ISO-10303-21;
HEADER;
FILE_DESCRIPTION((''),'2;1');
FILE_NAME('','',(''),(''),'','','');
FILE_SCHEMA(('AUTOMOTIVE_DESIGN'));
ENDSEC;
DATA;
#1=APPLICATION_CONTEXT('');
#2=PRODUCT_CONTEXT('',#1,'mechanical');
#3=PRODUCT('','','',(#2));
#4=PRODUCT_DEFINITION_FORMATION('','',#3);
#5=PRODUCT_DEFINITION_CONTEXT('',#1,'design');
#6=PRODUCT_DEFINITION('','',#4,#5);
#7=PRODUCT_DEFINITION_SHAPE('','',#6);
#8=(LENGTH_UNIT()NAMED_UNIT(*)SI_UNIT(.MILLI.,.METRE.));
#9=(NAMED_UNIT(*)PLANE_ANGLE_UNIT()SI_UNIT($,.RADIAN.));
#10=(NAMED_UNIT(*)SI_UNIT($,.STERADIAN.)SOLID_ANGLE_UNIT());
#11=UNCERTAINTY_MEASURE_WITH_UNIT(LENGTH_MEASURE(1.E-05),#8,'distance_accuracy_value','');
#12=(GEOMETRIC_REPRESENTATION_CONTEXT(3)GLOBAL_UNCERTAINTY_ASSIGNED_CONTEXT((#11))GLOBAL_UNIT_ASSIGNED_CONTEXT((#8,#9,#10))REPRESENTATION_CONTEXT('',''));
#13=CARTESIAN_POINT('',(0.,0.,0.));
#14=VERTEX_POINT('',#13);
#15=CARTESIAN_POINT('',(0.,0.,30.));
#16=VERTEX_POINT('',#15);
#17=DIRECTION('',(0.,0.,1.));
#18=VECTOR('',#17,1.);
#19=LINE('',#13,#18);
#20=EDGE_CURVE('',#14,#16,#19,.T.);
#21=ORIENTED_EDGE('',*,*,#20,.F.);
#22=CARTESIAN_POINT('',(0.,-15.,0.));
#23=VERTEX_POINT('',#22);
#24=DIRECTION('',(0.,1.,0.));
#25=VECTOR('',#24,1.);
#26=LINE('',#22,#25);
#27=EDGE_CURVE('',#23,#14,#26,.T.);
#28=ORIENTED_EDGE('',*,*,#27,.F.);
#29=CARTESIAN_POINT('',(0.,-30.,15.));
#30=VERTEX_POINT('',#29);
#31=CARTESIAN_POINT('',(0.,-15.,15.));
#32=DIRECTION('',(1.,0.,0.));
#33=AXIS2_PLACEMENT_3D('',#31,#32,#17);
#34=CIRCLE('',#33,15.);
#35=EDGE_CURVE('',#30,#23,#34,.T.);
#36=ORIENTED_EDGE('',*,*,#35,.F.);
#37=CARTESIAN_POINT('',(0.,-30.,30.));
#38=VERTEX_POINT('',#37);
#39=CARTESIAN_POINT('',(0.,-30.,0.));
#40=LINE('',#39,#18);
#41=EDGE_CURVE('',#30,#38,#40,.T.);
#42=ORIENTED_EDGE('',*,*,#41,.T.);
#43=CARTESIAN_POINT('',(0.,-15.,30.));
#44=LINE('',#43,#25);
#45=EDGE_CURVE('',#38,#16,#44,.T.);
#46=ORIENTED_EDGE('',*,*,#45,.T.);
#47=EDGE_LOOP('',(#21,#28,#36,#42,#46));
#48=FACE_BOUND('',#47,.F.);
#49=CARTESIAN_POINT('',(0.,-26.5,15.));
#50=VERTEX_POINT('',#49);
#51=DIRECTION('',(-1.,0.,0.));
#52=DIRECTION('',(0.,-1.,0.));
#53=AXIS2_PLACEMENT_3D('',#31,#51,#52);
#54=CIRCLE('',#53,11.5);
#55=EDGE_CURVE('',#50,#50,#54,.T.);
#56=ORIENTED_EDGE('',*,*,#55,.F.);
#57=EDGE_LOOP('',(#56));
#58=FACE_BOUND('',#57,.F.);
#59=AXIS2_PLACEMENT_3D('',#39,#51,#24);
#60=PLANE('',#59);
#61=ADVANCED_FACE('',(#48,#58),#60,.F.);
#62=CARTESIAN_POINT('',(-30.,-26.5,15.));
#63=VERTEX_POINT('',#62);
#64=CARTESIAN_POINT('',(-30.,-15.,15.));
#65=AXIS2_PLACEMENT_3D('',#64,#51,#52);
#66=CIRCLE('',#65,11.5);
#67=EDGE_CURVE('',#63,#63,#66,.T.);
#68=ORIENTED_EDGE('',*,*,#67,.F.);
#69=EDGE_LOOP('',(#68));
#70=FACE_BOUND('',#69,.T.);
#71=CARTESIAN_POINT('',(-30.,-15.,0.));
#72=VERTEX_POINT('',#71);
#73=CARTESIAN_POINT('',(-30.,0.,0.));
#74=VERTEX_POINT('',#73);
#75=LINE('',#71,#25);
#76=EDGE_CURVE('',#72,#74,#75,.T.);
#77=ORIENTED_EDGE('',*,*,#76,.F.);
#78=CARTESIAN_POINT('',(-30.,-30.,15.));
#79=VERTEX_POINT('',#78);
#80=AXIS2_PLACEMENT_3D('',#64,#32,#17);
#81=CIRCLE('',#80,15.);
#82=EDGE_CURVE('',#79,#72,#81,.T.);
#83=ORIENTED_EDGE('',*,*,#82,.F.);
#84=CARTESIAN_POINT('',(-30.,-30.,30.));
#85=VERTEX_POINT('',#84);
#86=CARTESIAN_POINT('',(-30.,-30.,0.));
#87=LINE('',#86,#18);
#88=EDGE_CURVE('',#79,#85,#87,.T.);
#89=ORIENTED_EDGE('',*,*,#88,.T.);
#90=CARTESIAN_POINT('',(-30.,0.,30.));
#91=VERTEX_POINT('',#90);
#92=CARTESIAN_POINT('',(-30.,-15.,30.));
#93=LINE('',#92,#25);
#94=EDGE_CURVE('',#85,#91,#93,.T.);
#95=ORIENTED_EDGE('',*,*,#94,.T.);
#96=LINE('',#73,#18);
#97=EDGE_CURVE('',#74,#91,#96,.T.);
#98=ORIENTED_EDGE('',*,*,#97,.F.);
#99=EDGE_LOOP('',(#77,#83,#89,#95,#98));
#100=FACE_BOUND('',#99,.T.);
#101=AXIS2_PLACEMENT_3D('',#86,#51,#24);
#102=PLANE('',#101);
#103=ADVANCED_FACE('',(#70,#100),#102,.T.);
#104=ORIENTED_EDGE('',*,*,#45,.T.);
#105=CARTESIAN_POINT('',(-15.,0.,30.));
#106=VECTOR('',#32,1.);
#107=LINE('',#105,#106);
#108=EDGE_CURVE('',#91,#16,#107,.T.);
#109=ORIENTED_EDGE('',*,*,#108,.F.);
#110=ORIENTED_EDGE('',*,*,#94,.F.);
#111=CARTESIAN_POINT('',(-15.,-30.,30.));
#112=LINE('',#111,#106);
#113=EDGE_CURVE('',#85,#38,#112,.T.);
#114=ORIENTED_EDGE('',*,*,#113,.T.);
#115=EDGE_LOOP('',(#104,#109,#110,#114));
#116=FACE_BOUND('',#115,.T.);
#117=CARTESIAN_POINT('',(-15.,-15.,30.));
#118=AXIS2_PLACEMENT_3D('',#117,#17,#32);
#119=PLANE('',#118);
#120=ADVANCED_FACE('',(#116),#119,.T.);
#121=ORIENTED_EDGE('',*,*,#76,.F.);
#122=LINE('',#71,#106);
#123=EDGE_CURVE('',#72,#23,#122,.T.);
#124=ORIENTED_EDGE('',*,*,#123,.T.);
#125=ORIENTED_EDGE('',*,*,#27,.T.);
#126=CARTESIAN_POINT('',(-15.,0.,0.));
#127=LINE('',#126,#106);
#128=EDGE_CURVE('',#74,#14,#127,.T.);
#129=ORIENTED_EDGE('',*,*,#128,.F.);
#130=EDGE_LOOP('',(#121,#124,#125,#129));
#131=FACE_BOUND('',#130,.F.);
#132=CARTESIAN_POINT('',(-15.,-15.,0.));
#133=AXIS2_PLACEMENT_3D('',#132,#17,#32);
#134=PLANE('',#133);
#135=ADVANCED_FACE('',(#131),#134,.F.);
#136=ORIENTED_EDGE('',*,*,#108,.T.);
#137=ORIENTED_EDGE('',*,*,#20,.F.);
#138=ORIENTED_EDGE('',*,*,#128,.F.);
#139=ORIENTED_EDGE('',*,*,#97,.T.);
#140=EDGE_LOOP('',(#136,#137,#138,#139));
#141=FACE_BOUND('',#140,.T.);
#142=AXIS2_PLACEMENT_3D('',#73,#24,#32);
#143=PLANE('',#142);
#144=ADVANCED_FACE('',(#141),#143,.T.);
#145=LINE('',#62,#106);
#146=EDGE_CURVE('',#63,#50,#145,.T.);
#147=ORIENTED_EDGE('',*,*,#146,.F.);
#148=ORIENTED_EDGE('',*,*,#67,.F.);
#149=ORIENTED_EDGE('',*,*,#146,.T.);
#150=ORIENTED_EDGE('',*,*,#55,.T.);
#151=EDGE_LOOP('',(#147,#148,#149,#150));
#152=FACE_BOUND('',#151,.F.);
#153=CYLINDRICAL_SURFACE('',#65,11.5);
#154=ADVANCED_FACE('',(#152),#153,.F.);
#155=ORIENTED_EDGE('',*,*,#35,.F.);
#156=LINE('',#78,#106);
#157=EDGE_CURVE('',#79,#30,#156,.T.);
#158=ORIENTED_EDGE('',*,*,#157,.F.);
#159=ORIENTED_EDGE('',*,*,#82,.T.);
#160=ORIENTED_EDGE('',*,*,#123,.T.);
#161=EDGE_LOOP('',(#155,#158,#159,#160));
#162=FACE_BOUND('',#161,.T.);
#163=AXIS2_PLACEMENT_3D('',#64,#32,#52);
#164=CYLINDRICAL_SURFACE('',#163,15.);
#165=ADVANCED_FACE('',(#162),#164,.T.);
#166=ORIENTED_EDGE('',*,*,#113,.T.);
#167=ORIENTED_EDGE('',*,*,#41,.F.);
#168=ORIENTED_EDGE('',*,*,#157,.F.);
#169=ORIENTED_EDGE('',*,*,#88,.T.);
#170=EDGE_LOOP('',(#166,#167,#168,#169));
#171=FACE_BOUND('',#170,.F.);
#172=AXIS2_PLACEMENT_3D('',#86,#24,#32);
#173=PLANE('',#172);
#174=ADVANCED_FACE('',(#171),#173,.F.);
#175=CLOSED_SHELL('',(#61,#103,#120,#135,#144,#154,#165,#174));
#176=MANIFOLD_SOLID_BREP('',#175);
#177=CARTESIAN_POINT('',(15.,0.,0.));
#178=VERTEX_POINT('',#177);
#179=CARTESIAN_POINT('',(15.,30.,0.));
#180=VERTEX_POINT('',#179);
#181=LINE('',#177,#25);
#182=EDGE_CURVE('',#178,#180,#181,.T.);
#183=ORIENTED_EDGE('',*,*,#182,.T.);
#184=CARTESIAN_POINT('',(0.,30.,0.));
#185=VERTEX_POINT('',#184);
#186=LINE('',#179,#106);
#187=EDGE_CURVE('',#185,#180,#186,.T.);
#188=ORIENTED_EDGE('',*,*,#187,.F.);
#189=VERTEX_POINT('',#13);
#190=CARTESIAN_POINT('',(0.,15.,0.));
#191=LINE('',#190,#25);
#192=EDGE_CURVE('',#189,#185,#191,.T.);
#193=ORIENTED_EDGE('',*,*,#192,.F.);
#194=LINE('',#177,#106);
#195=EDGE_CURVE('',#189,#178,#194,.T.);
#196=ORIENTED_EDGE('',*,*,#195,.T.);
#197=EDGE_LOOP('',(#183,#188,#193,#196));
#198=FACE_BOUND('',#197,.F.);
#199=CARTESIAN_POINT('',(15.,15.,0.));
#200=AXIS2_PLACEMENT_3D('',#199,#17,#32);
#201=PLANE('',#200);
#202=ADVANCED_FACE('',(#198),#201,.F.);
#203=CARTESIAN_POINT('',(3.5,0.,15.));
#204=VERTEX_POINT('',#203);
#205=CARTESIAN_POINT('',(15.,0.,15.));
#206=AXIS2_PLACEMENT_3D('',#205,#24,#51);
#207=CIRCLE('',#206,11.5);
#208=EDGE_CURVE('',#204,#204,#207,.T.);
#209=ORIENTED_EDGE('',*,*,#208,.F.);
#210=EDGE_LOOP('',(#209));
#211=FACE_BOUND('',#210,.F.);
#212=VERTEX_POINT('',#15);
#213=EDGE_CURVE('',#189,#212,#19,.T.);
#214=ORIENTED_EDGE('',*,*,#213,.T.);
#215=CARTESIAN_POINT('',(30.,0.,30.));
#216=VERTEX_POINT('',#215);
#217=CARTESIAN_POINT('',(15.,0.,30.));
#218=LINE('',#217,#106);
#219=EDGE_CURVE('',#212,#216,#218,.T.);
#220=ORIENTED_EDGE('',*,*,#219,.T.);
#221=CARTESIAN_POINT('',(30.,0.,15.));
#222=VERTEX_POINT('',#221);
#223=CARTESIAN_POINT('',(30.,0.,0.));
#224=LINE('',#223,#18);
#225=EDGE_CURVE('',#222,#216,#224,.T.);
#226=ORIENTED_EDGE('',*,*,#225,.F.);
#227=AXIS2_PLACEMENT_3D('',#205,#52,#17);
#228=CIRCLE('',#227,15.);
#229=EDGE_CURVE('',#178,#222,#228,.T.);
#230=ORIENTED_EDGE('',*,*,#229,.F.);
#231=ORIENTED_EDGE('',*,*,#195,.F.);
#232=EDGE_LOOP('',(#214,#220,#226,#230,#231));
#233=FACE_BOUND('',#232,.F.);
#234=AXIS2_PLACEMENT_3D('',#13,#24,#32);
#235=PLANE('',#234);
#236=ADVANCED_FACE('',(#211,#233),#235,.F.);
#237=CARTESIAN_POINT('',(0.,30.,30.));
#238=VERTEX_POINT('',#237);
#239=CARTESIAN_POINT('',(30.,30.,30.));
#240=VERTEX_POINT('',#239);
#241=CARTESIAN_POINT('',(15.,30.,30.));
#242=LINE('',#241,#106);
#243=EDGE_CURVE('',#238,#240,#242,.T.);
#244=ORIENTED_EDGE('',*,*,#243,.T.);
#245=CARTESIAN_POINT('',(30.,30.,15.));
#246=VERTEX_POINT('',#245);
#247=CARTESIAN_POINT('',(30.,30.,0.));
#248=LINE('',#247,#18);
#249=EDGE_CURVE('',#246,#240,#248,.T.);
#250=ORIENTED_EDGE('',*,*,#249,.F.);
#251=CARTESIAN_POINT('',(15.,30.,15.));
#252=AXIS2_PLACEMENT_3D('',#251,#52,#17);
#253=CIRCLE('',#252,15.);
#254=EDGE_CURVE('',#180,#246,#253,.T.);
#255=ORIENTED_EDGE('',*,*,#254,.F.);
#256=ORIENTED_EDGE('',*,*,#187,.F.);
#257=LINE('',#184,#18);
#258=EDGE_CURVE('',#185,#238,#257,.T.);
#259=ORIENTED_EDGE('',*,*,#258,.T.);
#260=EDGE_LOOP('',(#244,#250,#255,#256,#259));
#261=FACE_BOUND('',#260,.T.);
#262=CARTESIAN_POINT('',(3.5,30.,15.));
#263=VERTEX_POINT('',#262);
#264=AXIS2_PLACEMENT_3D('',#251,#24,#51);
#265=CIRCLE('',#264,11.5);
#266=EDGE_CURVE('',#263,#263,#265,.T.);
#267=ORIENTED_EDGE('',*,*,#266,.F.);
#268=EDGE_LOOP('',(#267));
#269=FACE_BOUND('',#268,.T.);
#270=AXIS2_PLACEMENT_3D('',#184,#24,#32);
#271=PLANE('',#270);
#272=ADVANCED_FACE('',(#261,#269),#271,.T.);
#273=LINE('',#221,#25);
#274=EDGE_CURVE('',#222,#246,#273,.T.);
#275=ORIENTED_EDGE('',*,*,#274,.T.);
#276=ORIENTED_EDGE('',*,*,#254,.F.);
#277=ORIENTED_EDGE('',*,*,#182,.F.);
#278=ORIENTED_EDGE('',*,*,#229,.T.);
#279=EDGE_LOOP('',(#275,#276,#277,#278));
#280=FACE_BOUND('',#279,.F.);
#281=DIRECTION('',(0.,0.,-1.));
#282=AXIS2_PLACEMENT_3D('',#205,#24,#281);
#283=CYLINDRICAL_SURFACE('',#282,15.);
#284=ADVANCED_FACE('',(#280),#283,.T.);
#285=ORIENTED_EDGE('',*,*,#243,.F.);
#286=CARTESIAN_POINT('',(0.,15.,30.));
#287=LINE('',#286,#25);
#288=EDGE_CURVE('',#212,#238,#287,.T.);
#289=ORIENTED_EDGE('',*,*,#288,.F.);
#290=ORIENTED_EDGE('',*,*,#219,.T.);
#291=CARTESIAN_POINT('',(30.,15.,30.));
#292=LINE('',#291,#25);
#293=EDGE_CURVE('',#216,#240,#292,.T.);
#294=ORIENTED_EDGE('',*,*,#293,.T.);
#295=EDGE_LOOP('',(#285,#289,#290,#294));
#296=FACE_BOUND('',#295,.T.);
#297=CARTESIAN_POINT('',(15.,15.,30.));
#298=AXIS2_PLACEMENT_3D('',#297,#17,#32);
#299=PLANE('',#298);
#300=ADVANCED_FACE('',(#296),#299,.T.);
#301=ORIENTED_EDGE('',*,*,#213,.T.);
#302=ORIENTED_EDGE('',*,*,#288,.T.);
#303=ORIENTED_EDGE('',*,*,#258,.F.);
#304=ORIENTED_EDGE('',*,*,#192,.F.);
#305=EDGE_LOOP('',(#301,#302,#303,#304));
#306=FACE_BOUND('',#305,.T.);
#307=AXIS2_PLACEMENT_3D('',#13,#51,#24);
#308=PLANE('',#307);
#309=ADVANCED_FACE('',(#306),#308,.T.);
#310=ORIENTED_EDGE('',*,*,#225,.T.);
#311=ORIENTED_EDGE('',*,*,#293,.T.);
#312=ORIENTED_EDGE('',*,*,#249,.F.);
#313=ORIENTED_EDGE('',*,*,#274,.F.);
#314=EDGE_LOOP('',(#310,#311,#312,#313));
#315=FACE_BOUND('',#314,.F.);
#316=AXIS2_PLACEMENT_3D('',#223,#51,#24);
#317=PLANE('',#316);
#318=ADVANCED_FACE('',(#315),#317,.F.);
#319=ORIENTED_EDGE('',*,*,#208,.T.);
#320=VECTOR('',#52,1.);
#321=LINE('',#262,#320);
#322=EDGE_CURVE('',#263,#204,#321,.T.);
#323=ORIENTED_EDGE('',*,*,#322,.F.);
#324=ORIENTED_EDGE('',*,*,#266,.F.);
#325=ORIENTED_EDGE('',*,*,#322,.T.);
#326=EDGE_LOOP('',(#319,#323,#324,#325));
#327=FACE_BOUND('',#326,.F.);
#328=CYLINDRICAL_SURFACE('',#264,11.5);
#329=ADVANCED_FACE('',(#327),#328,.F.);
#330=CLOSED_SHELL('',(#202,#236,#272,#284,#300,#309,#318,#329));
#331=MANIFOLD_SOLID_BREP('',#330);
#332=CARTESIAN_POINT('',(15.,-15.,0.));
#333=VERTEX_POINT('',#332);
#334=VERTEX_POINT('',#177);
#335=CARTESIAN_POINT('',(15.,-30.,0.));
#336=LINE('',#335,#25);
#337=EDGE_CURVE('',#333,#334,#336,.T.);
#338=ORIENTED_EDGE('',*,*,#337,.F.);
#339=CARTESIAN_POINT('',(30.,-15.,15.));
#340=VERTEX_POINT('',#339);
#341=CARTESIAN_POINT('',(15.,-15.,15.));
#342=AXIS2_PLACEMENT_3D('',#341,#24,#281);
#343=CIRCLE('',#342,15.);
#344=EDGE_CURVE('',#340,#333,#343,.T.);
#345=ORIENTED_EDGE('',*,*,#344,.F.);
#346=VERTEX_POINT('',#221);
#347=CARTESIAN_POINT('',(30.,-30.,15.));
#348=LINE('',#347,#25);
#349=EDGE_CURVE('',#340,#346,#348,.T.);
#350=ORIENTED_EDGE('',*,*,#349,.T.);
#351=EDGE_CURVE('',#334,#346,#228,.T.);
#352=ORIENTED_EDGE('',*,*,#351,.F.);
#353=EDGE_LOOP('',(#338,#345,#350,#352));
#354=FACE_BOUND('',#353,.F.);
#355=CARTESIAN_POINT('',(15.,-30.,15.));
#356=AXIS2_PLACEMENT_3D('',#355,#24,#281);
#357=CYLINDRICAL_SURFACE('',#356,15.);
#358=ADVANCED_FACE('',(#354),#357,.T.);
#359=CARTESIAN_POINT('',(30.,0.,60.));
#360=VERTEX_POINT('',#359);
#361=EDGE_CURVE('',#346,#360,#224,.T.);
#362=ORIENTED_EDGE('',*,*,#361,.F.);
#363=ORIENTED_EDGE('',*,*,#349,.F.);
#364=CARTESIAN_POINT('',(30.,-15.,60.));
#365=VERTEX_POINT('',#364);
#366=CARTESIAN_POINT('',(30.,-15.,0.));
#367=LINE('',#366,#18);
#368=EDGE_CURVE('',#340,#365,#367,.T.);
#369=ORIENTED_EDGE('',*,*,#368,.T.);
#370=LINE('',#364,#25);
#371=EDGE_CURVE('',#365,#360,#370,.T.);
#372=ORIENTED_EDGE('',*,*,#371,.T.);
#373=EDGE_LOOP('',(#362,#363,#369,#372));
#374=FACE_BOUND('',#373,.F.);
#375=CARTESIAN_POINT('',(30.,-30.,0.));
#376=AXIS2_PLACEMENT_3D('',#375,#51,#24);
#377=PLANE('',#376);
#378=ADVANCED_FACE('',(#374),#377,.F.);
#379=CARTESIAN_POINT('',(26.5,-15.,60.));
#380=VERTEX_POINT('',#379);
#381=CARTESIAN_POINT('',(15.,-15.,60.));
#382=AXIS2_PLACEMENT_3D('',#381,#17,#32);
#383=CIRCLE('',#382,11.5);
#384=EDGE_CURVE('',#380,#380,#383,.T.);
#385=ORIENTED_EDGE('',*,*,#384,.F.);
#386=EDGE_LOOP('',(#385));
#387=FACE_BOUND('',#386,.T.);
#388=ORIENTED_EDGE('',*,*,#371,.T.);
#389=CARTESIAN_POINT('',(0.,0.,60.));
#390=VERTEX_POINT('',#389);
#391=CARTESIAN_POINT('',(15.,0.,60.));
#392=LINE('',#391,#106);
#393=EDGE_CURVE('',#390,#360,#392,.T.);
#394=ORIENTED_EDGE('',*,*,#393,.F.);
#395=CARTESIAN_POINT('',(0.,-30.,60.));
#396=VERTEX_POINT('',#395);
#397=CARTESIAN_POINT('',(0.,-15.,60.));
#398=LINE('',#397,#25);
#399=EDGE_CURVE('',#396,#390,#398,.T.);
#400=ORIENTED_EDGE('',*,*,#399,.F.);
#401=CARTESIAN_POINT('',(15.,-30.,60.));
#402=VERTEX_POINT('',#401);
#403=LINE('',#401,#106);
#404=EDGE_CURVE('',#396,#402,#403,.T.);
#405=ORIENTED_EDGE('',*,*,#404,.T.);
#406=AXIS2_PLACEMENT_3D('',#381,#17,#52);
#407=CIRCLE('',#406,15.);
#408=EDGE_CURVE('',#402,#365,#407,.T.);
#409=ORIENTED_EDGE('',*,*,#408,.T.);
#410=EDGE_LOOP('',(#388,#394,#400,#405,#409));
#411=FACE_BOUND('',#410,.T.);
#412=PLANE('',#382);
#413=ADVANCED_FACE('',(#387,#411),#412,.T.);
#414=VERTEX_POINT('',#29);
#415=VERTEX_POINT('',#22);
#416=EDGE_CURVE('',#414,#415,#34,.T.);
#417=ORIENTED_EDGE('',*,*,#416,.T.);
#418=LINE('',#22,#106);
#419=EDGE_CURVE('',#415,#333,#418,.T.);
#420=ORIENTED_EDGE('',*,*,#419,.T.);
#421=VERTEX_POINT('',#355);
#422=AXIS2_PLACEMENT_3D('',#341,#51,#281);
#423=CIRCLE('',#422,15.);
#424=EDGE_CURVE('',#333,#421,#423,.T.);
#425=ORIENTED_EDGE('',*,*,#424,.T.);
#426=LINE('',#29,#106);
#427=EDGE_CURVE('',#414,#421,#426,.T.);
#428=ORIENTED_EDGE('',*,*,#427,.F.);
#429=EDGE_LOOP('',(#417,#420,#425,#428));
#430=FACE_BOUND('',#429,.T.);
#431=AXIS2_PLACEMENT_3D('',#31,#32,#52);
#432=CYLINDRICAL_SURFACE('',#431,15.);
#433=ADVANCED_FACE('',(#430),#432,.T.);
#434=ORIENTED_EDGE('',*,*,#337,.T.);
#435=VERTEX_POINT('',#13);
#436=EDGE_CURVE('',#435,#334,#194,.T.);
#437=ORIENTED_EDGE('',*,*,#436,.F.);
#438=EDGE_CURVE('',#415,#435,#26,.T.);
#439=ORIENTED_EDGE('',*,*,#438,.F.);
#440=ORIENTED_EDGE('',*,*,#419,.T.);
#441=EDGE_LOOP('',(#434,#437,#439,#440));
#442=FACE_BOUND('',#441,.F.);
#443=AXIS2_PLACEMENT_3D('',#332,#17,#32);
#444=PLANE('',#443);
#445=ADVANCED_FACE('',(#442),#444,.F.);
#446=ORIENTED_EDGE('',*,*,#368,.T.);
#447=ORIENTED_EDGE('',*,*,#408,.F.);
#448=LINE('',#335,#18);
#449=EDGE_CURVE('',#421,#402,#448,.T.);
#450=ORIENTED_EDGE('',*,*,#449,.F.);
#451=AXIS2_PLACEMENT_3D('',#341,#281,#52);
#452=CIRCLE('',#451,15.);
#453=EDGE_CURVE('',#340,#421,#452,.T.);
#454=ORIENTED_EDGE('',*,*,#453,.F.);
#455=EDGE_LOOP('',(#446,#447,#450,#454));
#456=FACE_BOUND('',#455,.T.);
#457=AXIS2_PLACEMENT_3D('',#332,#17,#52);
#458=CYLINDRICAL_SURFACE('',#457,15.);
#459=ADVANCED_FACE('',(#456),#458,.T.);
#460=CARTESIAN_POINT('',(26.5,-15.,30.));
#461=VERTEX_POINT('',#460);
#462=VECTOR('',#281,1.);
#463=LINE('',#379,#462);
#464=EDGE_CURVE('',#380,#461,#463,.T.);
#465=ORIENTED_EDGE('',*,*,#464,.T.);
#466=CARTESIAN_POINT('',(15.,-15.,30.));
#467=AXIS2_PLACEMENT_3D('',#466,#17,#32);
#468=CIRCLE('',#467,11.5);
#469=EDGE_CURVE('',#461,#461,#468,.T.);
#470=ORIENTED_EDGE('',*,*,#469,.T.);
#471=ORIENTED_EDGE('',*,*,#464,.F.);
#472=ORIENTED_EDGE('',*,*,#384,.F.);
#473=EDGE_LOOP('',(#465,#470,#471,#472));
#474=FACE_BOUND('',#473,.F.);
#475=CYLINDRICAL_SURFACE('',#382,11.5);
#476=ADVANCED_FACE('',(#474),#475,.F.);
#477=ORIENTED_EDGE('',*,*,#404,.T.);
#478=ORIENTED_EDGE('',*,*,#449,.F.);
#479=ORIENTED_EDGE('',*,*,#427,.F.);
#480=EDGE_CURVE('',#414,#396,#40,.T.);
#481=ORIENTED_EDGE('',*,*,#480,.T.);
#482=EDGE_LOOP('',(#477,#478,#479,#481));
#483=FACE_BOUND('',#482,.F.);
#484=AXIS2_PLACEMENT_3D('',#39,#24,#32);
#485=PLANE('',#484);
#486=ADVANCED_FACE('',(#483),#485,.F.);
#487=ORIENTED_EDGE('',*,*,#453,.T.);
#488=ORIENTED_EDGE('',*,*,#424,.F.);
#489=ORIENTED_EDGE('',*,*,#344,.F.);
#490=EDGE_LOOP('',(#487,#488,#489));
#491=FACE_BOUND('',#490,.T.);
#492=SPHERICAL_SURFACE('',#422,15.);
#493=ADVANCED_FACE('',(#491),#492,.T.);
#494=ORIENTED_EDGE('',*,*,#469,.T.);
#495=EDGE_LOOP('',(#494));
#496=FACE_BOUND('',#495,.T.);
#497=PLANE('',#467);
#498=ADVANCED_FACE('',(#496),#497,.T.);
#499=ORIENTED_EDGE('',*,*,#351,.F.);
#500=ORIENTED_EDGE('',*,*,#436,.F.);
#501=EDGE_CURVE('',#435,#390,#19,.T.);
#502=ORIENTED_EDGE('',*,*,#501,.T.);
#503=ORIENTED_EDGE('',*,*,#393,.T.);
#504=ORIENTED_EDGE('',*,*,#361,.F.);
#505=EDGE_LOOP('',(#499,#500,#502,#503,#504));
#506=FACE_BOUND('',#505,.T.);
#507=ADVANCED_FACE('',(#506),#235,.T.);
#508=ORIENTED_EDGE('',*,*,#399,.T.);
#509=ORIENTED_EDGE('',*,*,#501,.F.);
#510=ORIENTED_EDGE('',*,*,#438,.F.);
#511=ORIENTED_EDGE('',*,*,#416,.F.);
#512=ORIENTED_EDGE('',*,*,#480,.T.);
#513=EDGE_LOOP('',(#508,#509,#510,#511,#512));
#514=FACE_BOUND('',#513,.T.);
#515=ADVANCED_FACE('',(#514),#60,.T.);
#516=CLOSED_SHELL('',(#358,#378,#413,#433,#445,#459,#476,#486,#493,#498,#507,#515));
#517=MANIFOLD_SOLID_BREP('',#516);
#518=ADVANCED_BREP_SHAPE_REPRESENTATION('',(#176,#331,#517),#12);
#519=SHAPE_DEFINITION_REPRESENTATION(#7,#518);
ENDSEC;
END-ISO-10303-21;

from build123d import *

# Parameters (mm, degrees)
F0_W     = 30
F0_H     = 30
F1_DEPTH = 30
F2_DEPTH = 60
F4_R     = 11.5
F6_DEPTH = 30
F5_R     = 11.5
F7_DEPTH = 30
F3_R     = 11.5
F8_DEPTH = 30
F9_R     = 15
F9_2_R   = 15
F9_3_R   = 15


with BuildPart() as f1:
    # F0 (on Top) → F1 (new body)
    with BuildSketch(Plane.XY):
        with Locations((-15, -15)):
            Rectangle(F0_W, F0_H)
    extrude(amount=F1_DEPTH)

    # F5 (on face) → F7 (cut)
    with BuildSketch(Plane(origin=(-30, 0, 0), x_dir=(0, -1, 0), z_dir=(-1, 0, 0))):
        with Locations((15, 15)):
            Circle(F5_R)
    extrude(amount=-F7_DEPTH, mode=Mode.SUBTRACT)

    # F9#2
    f9_2_edges = [f1.edges().sort_by_distance(p)[0] for p in [
        (-15, -30, 0),
    ]]
    fillet(f9_2_edges, radius=F9_2_R)


with BuildPart() as f1b:
    # F0 (on Top) → F1, piece 2 (new body)
    with BuildSketch(Plane.XY):
        with Locations((15, 15)):
            Rectangle(F0_W, F0_H)
    extrude(amount=F1_DEPTH)

    # F4 (on face) → F6 (cut)
    with BuildSketch(Plane(origin=(0, 30, 0), x_dir=(-1, 0, 0), z_dir=(0, 1, 0))):
        with Locations((-15, 15)):
            Circle(F4_R)
    extrude(amount=-F6_DEPTH, mode=Mode.SUBTRACT)

    # F9#3
    f9_3_edges = [f1b.edges().sort_by_distance(p)[0] for p in [
        (30, 15, 0),
    ]]
    fillet(f9_3_edges, radius=F9_3_R)


with BuildPart() as f2:
    # F0 (on Top) → F2 (new body)
    with BuildSketch(Plane.XY):
        with Locations((15, -15)):
            Rectangle(F0_W, F0_H)
    extrude(amount=F2_DEPTH)

    # F3 (on face) → F8 (cut)
    with BuildSketch(Plane.XY.offset(60)):
        with Locations((15, -15)):
            Circle(F3_R)
    extrude(amount=-F8_DEPTH, mode=Mode.SUBTRACT)

    # F9
    f9_edges = [f2.edges().sort_by_distance(p)[0] for p in [
        (15, -30, 0),
        (30, -15, 0),
        (30, -30, 30),
    ]]
    fillet(f9_edges, radius=F9_R)


solid = Compound([f1.part, f1b.part, f2.part])
